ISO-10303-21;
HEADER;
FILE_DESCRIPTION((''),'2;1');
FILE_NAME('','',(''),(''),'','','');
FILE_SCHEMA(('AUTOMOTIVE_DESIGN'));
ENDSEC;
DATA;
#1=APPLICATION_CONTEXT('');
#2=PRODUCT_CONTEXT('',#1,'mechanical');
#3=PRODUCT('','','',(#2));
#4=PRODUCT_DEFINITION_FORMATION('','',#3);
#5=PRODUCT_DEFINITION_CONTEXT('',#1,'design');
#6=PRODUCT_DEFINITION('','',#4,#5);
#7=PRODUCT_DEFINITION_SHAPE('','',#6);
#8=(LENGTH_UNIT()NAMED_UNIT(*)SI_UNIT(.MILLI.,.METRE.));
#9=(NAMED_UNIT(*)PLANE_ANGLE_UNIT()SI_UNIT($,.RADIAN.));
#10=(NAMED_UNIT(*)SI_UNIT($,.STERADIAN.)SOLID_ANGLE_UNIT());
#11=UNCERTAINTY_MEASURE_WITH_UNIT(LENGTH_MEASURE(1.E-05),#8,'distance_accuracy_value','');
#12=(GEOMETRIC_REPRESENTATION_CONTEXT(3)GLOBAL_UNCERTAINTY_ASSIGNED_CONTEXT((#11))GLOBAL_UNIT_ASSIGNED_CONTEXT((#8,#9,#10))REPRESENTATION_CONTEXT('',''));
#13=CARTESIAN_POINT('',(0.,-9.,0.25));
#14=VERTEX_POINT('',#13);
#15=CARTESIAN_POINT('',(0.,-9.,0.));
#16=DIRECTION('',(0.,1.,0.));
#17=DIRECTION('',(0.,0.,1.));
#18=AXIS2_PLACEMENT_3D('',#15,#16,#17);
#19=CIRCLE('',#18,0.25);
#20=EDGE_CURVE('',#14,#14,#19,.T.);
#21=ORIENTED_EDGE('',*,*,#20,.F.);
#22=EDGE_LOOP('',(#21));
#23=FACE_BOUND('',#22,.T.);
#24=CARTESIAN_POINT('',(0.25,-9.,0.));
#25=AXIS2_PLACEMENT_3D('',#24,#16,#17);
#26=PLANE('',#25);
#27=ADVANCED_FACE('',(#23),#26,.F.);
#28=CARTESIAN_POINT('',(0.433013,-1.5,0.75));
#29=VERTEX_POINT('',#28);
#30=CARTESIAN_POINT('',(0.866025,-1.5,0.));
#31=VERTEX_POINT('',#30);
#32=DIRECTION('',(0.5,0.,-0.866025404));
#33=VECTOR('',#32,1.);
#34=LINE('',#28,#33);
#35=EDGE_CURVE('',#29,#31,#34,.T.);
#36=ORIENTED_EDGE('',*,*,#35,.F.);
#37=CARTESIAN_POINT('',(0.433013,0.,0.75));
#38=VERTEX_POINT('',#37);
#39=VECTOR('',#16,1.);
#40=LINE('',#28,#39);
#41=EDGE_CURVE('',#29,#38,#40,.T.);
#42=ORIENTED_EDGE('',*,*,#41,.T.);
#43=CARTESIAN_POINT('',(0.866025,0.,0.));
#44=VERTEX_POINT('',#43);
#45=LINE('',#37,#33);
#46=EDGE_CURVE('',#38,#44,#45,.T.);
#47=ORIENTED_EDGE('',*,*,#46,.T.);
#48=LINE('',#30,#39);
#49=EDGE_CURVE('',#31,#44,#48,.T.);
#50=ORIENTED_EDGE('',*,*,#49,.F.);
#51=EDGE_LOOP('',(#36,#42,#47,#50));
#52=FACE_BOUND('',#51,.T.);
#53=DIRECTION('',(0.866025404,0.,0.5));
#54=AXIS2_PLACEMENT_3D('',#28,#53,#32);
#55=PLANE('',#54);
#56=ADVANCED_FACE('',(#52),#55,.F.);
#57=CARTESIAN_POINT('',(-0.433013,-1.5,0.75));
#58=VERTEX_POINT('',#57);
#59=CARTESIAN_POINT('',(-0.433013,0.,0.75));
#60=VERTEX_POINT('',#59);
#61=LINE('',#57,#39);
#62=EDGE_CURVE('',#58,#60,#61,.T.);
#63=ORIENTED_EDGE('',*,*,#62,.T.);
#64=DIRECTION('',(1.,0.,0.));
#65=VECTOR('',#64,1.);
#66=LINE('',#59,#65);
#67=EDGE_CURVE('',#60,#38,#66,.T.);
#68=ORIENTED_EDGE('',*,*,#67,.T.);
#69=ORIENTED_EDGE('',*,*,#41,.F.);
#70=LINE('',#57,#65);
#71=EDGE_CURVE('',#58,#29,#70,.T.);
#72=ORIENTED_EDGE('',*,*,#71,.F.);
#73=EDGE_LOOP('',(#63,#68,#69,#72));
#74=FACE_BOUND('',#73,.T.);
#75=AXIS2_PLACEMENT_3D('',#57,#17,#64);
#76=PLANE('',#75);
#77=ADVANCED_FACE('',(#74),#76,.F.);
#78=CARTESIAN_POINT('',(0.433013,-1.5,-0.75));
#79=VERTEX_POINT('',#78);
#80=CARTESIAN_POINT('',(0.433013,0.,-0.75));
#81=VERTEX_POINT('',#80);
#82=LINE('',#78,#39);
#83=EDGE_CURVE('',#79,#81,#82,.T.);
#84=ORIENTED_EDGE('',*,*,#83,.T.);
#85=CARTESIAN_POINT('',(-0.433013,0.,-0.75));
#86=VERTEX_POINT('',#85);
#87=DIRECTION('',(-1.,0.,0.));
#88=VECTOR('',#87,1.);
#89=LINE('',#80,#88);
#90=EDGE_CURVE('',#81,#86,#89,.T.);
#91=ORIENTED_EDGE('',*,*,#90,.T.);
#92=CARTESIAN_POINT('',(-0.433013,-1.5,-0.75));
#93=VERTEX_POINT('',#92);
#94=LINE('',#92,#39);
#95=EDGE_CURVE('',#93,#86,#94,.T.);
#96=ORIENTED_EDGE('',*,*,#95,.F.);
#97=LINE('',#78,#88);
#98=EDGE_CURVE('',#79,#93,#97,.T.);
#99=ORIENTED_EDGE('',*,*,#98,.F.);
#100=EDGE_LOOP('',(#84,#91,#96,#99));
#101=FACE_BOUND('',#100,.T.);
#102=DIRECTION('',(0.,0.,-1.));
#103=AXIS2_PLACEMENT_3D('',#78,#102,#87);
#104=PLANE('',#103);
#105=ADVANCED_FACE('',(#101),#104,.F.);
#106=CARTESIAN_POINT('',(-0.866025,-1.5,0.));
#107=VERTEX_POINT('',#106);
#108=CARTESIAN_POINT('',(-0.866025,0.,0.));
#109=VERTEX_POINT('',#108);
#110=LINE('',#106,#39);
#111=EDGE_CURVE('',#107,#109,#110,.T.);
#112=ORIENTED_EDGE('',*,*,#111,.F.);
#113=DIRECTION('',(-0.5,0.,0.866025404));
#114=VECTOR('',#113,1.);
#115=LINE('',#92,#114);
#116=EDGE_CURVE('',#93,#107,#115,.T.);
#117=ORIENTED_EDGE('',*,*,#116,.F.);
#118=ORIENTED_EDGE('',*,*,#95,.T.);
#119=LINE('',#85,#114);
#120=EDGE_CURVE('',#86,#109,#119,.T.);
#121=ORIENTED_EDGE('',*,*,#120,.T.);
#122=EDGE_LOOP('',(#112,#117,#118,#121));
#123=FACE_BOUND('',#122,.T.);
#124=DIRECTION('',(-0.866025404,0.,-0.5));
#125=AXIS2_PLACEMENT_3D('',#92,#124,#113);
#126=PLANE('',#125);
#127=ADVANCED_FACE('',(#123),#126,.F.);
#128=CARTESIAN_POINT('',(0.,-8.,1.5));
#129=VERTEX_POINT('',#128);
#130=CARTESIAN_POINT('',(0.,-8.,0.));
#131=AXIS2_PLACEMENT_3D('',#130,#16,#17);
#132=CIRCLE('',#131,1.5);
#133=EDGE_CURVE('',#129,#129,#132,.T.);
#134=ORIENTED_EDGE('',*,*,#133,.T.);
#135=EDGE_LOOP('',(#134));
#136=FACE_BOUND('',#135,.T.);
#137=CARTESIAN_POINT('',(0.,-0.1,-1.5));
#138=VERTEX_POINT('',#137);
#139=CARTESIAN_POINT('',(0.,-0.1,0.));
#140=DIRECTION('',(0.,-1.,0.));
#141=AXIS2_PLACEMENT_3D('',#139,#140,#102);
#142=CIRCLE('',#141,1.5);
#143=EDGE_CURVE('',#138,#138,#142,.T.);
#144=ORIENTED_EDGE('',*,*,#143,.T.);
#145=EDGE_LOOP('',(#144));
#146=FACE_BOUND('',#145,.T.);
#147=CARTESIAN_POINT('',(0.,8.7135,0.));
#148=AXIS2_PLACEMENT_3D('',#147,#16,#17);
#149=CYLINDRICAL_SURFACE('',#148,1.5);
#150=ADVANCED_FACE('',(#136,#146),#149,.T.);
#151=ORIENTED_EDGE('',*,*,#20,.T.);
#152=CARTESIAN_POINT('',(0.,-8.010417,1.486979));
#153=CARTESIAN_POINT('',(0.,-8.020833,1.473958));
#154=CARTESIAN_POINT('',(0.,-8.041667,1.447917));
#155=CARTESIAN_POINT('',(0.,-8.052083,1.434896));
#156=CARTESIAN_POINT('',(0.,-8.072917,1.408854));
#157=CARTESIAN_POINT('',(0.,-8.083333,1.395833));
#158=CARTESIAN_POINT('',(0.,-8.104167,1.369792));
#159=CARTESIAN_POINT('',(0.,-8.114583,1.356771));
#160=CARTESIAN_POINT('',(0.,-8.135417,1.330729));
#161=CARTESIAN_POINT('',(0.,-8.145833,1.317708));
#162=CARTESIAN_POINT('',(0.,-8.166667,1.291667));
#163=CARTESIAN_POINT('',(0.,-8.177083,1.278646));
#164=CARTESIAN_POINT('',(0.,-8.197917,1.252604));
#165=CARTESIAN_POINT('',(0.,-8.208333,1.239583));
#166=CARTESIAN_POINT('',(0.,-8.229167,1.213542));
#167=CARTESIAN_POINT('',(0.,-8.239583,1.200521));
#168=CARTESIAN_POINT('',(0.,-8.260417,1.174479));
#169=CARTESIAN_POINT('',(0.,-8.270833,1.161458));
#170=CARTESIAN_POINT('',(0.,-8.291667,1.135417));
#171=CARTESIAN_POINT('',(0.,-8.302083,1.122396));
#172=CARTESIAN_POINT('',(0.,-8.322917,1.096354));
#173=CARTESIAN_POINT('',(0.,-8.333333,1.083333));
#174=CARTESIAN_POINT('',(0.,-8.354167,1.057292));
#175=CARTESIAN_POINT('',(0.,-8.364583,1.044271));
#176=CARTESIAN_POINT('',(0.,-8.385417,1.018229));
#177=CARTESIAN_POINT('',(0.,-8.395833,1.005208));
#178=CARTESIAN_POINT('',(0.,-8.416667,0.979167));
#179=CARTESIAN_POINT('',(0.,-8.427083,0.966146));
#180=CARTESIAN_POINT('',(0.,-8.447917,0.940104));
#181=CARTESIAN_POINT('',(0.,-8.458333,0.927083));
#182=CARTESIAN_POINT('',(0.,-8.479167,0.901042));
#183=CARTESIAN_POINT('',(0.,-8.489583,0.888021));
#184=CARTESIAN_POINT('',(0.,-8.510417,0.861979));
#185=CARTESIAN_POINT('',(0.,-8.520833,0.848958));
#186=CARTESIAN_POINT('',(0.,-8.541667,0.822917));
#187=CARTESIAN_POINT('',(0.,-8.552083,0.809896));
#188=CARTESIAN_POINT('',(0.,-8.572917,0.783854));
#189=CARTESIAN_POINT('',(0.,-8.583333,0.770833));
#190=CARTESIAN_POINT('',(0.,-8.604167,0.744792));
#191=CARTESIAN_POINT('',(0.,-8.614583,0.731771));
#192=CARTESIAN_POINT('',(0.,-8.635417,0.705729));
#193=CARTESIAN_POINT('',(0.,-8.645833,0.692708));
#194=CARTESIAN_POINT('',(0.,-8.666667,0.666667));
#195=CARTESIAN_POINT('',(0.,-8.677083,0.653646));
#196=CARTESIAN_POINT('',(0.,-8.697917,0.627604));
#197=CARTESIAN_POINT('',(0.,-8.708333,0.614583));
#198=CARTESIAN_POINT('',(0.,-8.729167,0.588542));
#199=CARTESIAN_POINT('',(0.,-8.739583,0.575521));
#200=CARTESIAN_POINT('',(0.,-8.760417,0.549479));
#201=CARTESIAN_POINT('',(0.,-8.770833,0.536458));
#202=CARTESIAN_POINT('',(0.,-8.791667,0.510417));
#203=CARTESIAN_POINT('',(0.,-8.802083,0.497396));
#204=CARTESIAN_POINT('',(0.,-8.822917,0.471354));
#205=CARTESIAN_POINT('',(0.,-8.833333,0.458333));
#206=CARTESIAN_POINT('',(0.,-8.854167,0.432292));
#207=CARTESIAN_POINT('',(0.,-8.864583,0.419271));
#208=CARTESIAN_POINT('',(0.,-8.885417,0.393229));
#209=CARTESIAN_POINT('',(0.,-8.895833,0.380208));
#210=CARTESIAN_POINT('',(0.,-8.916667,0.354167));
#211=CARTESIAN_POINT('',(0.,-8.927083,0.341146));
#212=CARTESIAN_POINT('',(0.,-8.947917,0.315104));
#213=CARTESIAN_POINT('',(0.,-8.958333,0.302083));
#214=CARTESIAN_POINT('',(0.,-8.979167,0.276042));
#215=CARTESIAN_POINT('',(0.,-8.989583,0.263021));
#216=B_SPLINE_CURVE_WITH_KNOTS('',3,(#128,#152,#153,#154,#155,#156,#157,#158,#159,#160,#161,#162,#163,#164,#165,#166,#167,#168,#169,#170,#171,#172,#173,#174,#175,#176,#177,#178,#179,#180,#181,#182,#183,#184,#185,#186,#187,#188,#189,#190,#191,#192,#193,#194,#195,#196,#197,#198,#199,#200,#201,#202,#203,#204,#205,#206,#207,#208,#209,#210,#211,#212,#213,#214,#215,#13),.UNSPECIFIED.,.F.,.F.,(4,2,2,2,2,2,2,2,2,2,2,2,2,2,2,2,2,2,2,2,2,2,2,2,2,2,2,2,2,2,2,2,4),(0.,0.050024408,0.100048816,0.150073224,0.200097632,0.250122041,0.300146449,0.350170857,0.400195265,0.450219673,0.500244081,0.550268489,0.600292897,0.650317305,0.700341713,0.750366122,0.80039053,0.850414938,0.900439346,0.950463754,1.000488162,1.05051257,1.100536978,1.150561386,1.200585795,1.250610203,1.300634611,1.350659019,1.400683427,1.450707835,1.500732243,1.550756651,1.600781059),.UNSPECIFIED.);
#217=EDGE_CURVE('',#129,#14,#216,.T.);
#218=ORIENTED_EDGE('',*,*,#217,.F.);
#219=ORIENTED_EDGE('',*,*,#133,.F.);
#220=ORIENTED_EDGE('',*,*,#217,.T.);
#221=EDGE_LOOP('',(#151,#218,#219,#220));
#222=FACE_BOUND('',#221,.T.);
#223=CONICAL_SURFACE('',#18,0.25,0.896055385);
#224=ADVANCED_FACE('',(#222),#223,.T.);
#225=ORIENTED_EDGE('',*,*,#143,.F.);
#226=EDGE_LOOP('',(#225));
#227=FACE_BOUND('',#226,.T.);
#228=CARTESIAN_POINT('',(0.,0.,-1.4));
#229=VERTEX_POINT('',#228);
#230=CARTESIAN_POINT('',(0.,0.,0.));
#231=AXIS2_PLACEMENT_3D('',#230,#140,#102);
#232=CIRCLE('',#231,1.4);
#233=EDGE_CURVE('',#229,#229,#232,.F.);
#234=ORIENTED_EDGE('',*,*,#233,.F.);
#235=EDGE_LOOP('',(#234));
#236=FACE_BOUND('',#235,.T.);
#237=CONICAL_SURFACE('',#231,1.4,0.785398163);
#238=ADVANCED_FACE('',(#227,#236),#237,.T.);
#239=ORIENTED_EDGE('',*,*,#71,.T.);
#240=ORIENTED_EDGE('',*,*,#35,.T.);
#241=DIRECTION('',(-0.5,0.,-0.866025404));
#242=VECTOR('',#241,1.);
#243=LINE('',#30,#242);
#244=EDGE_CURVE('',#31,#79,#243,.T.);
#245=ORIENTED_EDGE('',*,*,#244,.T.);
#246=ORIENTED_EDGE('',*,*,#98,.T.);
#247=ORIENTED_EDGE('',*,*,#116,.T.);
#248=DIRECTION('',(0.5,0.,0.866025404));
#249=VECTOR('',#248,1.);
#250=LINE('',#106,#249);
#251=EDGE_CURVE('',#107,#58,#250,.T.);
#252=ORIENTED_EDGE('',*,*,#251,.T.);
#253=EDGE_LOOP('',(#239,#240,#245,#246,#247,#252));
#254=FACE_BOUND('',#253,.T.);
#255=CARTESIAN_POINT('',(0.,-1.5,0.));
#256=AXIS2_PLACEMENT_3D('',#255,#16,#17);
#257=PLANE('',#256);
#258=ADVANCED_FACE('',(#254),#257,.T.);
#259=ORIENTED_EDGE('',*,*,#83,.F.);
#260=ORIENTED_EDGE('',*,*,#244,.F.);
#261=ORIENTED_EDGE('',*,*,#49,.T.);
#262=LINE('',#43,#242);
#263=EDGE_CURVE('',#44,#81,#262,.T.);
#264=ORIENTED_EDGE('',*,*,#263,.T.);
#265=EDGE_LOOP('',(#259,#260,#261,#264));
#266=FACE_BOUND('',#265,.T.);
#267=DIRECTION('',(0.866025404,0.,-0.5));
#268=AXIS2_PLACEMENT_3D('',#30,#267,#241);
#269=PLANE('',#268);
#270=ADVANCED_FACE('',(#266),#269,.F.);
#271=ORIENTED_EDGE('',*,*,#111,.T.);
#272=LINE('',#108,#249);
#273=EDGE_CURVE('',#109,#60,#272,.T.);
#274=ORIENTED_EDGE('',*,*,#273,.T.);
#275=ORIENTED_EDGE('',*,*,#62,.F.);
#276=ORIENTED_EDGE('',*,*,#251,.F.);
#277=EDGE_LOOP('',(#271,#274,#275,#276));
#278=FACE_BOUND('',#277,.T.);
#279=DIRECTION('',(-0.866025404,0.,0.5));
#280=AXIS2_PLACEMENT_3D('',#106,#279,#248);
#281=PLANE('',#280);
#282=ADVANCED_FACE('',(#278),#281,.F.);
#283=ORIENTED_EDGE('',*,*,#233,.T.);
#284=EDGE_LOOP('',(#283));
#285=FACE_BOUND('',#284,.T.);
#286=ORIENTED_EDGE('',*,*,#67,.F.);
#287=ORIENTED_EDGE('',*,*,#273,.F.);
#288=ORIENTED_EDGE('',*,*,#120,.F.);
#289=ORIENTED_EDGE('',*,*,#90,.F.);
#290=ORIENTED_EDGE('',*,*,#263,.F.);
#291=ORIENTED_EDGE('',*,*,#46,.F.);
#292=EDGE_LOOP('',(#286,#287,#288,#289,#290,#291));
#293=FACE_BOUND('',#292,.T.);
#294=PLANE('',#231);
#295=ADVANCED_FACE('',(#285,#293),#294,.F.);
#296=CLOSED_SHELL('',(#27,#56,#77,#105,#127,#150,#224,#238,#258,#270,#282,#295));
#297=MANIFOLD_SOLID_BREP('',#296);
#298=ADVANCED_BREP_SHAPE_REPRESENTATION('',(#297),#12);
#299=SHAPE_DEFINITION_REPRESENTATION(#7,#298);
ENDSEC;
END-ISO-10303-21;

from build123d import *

# Parameters (mm, degrees)
CUT_EXTRUDE_1_DEPTH = 1.5
CHAMFER_1_SIZE      = 0.1


with BuildPart() as part:
    # 草图1 → 旋转1 (revolve)
    with BuildSketch(Plane.XY, mode=Mode.PRIVATE) as revolve_1_sk:
        Polygon((0, 0), (1.5, 0), (1.5, -8), (0.25, -9), (0, -9), align=None)
    revolve(revolve_1_sk.sketch.rotate(Axis((0, 8.713500289, 0), (0, -1, 0)), 90), axis=Axis((0, 8.713500289, 0), (0, -1, 0)))

    # 草图2 → 切除-拉伸1 (cut)
    with BuildSketch(Plane(origin=(0, 0, 0), x_dir=(1, 0, 0), z_dir=(0, 1, 0))):
        Polygon((-0.433012702, -0.75), (0.433012702, -0.75), (0.866025404, 0), (0.433012702, 0.75), (-0.433012702, 0.75), (-0.866025404, 0), align=None)
    extrude(amount=-CUT_EXTRUDE_1_DEPTH, mode=Mode.SUBTRACT)

    # 倒角1
    chamfer_1_edges = [part.edges().sort_by_distance(p)[0] for p in [
        (0, 0, -1.5),
    ]]
    chamfer(chamfer_1_edges, length=CHAMFER_1_SIZE)


solid = part.part
